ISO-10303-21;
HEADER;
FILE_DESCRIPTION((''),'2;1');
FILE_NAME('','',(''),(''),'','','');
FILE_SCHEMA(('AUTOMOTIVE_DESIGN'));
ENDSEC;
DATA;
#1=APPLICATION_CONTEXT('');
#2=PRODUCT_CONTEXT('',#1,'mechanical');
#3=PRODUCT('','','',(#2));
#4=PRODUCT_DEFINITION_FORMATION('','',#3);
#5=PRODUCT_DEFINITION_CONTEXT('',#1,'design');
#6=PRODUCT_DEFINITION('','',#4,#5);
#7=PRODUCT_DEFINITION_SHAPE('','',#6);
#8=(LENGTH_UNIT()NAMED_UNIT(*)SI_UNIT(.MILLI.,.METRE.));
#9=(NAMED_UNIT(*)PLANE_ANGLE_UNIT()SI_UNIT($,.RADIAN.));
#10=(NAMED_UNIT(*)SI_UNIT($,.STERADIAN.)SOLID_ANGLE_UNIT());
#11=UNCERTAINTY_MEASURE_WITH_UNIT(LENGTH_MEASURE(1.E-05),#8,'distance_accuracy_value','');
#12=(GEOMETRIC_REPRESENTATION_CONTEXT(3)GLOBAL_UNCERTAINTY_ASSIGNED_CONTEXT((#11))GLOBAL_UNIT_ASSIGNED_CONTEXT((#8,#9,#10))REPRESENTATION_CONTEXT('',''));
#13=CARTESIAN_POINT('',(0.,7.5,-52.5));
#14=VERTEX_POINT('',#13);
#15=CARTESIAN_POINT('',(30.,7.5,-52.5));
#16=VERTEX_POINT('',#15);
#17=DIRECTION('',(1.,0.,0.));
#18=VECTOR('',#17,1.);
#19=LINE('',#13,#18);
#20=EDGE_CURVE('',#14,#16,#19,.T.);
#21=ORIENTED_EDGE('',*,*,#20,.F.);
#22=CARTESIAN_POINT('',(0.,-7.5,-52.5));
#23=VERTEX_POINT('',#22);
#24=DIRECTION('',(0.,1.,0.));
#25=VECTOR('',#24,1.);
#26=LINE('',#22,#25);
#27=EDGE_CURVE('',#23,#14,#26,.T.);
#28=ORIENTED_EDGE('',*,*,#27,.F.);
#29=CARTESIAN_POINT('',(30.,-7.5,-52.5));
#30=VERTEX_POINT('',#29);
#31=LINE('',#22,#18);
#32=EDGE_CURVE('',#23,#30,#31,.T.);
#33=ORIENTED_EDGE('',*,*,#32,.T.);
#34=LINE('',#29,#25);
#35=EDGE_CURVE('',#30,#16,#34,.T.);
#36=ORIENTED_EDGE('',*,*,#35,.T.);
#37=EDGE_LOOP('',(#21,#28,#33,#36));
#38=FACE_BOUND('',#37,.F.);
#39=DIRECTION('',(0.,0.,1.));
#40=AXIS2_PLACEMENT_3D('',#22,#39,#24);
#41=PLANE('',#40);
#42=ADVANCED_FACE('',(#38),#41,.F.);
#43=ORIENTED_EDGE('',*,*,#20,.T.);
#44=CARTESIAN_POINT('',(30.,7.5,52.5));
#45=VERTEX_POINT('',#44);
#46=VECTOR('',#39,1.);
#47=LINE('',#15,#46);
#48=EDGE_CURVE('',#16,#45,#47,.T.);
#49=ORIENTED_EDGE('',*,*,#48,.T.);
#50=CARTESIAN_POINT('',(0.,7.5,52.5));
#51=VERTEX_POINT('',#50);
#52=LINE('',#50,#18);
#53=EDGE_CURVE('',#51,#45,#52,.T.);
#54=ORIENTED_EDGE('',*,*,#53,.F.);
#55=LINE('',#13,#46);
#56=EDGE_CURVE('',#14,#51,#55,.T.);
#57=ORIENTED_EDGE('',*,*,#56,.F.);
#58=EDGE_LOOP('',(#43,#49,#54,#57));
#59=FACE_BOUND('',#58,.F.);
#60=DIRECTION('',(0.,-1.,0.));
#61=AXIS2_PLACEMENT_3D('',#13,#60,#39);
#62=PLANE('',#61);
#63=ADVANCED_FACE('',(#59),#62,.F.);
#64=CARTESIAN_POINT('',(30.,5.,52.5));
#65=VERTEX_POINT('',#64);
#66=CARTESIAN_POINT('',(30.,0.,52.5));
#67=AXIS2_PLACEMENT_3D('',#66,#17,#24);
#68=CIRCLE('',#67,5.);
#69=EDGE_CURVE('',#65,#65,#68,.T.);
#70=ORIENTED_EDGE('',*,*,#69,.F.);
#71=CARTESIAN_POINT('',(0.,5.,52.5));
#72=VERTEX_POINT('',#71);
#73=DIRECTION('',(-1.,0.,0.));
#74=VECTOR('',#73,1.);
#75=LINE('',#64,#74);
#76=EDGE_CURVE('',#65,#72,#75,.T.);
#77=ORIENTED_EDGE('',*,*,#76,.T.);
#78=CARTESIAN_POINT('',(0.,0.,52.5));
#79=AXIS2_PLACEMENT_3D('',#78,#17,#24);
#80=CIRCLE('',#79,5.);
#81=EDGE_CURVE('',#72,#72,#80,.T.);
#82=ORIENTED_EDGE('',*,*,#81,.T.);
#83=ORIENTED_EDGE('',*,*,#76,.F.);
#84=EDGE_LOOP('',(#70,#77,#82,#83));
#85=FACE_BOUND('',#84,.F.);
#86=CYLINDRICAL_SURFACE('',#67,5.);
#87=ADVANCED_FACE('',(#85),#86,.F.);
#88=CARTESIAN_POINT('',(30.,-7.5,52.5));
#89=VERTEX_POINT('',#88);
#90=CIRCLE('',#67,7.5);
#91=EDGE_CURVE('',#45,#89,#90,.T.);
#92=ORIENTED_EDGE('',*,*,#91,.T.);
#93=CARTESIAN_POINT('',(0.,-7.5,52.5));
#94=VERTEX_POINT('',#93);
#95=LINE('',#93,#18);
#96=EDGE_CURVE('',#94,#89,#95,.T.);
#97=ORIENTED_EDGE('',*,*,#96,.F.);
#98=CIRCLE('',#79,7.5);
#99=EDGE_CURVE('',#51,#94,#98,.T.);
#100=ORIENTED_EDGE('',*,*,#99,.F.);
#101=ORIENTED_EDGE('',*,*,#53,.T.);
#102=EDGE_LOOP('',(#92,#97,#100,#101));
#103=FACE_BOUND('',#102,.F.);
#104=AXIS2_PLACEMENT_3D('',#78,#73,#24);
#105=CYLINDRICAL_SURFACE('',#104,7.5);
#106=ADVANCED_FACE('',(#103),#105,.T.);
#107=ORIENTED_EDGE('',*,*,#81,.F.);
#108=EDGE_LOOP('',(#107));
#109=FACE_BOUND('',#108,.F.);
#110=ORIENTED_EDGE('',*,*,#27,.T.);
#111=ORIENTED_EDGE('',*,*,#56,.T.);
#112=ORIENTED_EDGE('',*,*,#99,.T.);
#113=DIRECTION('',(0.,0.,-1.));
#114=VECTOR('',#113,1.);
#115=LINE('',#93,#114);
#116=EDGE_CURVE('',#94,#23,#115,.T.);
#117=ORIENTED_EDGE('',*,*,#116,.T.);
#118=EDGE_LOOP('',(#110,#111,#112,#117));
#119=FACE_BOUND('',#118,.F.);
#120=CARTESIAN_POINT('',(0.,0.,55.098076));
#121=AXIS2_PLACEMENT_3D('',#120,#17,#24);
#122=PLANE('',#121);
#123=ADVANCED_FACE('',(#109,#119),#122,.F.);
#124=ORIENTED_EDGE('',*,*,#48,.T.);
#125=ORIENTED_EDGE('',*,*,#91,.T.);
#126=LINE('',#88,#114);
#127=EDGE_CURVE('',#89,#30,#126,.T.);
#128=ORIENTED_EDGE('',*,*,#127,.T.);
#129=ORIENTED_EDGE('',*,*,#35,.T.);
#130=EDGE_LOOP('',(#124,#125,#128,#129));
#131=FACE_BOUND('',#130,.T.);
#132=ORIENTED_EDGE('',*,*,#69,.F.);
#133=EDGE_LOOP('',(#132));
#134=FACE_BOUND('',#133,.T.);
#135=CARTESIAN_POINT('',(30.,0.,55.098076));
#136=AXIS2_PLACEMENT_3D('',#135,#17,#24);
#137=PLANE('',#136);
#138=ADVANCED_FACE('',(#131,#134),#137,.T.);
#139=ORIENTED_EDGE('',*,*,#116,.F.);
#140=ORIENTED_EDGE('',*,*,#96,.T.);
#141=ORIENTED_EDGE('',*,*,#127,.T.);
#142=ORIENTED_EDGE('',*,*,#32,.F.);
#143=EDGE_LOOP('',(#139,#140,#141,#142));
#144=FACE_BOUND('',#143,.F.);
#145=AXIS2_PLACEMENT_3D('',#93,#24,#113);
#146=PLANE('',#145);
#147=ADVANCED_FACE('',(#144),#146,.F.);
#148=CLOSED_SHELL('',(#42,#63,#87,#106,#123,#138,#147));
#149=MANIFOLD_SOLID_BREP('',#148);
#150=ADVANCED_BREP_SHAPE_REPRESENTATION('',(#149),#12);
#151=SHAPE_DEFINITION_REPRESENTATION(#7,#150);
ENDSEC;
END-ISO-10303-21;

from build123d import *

# Parameters (mm, degrees)
F1_DEPTH = 30
F2_R     = 5
F3_DEPTH = 30.001


with BuildPart() as f1:
    # F0 (on Right) → F1 (new body)
    with BuildSketch(Plane.YZ):
        with BuildLine():
            ThreePointArc((7.5, 52.5), (0, 60), (-7.5, 52.5))
            Line((-7.5, 52.5), (7.5, 52.5))
        make_face()
        with BuildLine():
            ThreePointArc((7.5, 52.5), (0, 45), (-7.5, 52.5))
            Line((-7.5, 52.5), (-7.5, -52.5))
            Line((-7.5, -52.5), (7.5, -52.5))
            Line((7.5, -52.5), (7.5, 52.5))
        make_face()
        with BuildLine():
            Line((7.5, 52.5), (-7.5, 52.5))
            ThreePointArc((-7.5, 52.5), (0, 45), (7.5, 52.5))
        make_face()
    extrude(amount=F1_DEPTH)

    # F2 (on face) → F3 (cut, through all)
    with BuildSketch(Plane.YZ.offset(30)):
        with Locations((0, 52.5)):
            Circle(F2_R)
    extrude(amount=-F3_DEPTH, mode=Mode.SUBTRACT)


solid = f1.part
